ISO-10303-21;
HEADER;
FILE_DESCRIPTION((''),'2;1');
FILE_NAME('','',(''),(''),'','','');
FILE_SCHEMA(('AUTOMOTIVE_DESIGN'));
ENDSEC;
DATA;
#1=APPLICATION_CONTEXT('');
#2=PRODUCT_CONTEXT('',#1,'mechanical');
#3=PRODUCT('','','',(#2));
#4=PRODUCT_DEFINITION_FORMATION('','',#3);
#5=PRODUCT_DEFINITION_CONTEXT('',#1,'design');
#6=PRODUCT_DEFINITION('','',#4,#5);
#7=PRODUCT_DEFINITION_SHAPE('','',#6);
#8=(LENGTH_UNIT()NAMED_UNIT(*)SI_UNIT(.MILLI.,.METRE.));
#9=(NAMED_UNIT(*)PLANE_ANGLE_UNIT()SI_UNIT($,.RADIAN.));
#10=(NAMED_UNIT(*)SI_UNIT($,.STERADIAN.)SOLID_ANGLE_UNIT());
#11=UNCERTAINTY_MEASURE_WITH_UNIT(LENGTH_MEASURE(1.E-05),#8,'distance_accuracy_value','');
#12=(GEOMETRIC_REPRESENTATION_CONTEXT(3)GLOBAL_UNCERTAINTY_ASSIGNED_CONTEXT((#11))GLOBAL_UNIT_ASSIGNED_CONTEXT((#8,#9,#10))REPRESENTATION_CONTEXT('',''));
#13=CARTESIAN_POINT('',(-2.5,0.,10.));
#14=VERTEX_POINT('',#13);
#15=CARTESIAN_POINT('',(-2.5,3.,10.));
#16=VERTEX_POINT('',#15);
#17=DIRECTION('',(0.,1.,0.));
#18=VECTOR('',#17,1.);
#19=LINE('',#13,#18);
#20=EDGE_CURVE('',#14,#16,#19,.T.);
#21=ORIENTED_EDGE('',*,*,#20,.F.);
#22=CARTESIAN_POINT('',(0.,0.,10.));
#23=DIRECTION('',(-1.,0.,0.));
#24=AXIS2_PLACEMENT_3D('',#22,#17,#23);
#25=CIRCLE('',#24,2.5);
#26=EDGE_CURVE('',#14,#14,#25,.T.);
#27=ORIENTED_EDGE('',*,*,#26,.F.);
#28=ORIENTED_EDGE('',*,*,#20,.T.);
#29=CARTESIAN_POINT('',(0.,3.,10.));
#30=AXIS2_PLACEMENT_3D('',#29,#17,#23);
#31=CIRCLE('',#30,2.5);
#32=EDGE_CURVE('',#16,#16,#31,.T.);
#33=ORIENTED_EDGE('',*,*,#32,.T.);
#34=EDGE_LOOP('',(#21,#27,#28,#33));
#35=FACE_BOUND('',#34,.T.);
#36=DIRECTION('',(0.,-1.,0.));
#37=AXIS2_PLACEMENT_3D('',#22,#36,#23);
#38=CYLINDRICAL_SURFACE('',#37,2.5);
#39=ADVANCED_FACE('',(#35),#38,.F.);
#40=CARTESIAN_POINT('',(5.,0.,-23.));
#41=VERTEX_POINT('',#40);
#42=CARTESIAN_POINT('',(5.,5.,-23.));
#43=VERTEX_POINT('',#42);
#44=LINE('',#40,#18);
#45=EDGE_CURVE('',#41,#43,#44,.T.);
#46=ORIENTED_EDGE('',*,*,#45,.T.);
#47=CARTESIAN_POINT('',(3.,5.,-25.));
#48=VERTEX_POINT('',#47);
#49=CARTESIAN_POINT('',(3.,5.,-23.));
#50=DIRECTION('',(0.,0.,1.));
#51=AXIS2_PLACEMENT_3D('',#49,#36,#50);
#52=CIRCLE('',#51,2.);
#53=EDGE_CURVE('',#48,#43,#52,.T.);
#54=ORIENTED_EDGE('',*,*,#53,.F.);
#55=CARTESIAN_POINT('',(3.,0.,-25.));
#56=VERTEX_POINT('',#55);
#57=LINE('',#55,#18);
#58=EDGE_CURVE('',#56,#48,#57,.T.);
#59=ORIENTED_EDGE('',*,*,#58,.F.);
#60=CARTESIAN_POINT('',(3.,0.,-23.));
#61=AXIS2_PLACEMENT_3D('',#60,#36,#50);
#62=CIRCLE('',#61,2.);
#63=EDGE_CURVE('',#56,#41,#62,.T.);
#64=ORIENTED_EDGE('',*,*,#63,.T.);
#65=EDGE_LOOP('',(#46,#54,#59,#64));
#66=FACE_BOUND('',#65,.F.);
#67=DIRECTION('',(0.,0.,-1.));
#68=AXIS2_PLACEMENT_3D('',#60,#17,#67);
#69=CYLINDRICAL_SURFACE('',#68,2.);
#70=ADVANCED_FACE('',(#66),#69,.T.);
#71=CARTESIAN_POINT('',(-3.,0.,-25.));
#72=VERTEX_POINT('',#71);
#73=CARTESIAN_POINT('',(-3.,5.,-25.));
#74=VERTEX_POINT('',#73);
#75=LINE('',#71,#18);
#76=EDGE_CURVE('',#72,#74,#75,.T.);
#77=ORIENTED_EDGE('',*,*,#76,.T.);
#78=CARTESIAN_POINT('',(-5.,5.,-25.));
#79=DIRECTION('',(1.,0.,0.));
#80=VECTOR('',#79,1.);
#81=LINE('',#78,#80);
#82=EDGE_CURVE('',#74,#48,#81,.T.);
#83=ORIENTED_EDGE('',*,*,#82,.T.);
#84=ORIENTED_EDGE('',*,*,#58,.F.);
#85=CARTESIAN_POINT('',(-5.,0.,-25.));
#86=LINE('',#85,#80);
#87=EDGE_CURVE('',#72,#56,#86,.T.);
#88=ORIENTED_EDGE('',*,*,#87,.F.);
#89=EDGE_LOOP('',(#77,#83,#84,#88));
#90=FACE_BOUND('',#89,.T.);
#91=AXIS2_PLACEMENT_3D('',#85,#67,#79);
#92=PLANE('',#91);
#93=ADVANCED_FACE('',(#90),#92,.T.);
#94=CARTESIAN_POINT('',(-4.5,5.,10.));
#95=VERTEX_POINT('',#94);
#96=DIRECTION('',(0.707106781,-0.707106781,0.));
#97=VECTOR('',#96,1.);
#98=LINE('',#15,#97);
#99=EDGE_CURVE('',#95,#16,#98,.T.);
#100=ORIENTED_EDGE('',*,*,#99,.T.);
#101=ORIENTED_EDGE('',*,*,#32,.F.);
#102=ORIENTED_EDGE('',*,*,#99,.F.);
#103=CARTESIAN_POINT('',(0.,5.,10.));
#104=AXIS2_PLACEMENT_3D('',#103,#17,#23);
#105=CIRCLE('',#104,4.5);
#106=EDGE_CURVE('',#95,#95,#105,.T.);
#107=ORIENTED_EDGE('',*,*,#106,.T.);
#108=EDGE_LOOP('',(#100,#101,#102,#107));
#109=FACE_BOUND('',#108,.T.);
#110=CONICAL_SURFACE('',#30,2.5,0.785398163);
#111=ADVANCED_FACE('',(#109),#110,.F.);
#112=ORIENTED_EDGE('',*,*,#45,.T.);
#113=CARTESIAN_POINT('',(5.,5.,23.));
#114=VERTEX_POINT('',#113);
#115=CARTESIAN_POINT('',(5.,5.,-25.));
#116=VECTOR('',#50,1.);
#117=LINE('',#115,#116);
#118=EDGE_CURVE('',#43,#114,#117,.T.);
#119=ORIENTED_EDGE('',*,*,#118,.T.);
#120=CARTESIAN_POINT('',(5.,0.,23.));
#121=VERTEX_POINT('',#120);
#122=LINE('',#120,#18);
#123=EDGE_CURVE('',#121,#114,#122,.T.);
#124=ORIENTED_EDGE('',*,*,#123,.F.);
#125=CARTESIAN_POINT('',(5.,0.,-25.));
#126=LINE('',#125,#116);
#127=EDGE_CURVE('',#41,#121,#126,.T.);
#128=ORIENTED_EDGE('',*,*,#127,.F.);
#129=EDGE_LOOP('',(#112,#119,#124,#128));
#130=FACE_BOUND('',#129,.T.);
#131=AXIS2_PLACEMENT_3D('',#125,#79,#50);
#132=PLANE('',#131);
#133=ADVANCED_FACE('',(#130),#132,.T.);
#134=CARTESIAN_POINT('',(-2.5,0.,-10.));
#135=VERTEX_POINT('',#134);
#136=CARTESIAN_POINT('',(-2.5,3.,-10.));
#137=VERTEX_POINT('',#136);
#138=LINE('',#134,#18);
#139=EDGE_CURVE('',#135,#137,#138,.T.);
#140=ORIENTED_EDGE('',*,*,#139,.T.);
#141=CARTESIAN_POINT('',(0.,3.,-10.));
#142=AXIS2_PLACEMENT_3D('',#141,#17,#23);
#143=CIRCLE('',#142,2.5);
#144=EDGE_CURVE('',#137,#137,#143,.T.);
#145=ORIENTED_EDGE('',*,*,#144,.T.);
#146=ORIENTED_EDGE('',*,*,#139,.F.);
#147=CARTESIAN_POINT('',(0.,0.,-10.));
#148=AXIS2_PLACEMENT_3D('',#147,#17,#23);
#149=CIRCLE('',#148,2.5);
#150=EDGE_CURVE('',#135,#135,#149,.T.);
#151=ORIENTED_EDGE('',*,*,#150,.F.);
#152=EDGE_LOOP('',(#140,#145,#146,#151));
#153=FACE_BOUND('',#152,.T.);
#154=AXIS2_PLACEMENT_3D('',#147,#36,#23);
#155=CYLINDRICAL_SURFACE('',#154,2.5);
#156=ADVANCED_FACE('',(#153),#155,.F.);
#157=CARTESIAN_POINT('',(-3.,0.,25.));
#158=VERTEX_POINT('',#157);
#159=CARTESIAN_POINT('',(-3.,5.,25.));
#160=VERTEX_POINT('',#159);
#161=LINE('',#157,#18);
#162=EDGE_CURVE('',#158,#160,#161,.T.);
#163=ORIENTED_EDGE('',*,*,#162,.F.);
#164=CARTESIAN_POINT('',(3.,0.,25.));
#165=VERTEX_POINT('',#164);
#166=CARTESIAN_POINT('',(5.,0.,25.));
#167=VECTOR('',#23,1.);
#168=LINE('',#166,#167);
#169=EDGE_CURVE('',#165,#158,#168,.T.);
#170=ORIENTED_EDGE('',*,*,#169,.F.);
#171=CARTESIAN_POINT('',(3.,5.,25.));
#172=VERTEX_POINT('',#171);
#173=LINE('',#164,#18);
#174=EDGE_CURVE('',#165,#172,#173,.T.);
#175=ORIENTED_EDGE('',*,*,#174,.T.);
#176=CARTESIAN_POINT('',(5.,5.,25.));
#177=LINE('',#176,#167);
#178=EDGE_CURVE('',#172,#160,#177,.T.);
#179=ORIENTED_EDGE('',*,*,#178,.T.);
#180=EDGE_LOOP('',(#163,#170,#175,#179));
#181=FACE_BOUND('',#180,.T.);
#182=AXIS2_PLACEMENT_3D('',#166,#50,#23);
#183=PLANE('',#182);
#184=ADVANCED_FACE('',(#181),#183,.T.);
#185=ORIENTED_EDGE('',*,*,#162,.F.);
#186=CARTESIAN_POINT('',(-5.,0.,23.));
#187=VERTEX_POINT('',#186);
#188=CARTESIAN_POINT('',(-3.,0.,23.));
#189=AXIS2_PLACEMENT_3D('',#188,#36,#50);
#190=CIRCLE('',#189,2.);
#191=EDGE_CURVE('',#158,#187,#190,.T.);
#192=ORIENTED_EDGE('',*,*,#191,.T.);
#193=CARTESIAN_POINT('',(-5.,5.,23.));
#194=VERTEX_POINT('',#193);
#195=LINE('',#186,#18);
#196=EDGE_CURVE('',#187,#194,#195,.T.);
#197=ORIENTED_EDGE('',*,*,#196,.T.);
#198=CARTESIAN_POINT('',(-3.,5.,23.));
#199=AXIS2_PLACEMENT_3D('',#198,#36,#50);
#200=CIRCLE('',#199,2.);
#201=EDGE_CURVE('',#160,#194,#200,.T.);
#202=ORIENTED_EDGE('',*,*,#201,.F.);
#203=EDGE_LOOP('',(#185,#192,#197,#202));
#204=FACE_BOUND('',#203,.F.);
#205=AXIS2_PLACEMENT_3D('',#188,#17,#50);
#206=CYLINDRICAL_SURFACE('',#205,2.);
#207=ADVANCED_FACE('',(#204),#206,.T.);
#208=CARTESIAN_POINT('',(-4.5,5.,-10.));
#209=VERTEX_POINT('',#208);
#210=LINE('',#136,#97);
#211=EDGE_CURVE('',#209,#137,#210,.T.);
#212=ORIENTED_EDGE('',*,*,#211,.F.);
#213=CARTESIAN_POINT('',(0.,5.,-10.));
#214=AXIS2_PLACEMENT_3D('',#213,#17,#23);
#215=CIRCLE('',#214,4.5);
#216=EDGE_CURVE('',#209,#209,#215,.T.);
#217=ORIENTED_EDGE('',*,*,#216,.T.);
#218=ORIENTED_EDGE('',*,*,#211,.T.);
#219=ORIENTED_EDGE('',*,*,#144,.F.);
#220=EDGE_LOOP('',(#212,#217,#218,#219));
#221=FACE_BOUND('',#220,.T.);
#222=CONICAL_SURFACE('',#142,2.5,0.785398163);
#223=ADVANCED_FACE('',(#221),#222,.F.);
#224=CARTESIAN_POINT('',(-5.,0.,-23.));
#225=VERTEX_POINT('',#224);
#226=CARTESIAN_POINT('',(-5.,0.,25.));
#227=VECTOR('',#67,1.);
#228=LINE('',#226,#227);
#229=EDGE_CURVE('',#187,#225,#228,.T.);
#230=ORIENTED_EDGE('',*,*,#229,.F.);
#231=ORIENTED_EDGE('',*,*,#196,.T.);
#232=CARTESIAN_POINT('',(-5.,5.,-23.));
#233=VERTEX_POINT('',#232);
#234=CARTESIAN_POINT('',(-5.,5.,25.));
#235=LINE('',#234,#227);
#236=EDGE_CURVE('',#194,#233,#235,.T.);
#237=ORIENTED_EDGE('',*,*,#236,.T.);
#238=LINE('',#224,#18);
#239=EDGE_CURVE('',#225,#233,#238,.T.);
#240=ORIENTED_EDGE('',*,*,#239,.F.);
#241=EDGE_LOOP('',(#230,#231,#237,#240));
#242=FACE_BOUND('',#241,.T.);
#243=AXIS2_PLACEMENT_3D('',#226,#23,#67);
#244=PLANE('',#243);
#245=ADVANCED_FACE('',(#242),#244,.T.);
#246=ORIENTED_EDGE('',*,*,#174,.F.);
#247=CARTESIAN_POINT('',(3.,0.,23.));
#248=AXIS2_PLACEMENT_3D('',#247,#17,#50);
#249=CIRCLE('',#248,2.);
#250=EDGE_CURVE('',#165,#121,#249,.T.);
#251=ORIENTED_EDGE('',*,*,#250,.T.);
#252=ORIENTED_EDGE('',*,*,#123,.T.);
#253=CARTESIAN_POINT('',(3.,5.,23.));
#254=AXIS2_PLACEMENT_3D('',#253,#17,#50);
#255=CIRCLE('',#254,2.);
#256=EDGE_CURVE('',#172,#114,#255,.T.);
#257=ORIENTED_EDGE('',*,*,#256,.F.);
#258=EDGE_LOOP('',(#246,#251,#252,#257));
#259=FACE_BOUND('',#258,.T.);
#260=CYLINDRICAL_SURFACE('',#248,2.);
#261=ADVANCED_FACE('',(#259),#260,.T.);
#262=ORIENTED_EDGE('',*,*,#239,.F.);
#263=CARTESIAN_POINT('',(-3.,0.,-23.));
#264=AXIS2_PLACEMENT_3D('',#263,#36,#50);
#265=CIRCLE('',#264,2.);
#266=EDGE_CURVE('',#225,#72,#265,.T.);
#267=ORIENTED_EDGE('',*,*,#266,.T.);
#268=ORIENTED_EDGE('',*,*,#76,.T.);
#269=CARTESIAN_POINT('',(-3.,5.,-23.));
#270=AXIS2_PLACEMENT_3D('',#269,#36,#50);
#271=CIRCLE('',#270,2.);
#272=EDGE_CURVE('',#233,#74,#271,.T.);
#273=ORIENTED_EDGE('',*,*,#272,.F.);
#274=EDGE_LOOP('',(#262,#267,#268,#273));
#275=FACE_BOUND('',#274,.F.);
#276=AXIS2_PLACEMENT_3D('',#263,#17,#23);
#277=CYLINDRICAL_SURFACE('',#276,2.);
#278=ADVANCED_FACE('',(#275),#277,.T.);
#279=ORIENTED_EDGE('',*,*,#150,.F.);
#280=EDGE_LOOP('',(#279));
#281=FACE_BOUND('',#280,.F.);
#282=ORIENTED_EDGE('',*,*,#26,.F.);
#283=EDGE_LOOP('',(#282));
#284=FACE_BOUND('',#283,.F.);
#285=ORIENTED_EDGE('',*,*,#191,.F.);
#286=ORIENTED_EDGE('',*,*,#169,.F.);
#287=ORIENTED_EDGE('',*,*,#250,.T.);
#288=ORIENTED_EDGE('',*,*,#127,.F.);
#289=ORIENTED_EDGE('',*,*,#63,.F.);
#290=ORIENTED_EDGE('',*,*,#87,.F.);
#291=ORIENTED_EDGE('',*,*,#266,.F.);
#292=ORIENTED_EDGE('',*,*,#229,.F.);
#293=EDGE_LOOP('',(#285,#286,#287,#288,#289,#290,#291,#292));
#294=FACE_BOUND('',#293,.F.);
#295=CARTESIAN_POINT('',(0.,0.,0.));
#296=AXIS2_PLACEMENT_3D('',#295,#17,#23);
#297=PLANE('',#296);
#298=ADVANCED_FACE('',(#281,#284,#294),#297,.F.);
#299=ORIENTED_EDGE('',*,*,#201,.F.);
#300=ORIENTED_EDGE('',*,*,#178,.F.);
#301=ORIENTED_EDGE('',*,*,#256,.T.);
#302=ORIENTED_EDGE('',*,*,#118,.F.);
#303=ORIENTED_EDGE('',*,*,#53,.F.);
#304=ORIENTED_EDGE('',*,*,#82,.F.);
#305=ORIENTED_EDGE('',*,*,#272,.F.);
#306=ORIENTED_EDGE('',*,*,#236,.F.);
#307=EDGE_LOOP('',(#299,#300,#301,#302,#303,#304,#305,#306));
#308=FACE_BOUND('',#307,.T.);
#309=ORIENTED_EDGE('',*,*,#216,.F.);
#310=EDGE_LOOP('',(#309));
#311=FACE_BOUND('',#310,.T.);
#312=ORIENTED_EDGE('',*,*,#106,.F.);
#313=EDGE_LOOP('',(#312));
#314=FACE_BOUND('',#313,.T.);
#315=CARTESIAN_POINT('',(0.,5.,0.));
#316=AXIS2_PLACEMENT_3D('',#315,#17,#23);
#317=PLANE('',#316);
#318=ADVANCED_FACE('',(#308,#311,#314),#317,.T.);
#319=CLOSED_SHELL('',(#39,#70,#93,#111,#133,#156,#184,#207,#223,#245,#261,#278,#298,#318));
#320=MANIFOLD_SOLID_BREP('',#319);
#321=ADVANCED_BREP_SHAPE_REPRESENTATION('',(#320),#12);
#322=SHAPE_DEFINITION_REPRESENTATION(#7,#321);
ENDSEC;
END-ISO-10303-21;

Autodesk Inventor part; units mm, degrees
ref_plane "YZ Plane" through (0, 0, 0) normal (1, 0, 0) x (0, 1, 0)
ref_plane "XZ Plane" through (0, 0, 0) normal (0, 1, 0) x (-1, 0, 0)
ref_plane "XY Plane" through (0, 0, 0) normal (0, 0, 1) x (1, 0, 0)
sketch "Sketch1" plane through (0, 0, 0) normal (0, 1, 0) x (-1, 0, 0)
  line L0 (-5, 25) -> (5, 25)
  line L1 (5, 25) -> (5, -25)
  line L2 (5, -25) -> (-5, -25)
  line L3 (-5, -25) -> (-5, 25)
  line L4 (-5, 25) -> (5, -25) construction
  line L5 (5, 25) -> (-5, -25) construction
  circle A0 centre (0, 10) radius 2.5
  line L6 (0, 0) -> (5, 0) construction
  circle A1 centre (0, -10) radius 2.5
  dimension "d0" = 10
  dimension "d1" = 5
  dimension "d2" = 10
  dimension "d3" = 50
extrude "Extrusion1" add sketch "Sketch1" along normal blind 5
fillet "Fillet1" radius 2 4 edges at (5, 2.5, 25) (5, 2.5, -25) (-5, 2.5, 25) (-5, 2.5, -25)
chamfer "Chamfer1" distance 2 angle 45 2 edges at (2.5, 5, -10) (2.5, 5, 10)
properties part number "Stop"
